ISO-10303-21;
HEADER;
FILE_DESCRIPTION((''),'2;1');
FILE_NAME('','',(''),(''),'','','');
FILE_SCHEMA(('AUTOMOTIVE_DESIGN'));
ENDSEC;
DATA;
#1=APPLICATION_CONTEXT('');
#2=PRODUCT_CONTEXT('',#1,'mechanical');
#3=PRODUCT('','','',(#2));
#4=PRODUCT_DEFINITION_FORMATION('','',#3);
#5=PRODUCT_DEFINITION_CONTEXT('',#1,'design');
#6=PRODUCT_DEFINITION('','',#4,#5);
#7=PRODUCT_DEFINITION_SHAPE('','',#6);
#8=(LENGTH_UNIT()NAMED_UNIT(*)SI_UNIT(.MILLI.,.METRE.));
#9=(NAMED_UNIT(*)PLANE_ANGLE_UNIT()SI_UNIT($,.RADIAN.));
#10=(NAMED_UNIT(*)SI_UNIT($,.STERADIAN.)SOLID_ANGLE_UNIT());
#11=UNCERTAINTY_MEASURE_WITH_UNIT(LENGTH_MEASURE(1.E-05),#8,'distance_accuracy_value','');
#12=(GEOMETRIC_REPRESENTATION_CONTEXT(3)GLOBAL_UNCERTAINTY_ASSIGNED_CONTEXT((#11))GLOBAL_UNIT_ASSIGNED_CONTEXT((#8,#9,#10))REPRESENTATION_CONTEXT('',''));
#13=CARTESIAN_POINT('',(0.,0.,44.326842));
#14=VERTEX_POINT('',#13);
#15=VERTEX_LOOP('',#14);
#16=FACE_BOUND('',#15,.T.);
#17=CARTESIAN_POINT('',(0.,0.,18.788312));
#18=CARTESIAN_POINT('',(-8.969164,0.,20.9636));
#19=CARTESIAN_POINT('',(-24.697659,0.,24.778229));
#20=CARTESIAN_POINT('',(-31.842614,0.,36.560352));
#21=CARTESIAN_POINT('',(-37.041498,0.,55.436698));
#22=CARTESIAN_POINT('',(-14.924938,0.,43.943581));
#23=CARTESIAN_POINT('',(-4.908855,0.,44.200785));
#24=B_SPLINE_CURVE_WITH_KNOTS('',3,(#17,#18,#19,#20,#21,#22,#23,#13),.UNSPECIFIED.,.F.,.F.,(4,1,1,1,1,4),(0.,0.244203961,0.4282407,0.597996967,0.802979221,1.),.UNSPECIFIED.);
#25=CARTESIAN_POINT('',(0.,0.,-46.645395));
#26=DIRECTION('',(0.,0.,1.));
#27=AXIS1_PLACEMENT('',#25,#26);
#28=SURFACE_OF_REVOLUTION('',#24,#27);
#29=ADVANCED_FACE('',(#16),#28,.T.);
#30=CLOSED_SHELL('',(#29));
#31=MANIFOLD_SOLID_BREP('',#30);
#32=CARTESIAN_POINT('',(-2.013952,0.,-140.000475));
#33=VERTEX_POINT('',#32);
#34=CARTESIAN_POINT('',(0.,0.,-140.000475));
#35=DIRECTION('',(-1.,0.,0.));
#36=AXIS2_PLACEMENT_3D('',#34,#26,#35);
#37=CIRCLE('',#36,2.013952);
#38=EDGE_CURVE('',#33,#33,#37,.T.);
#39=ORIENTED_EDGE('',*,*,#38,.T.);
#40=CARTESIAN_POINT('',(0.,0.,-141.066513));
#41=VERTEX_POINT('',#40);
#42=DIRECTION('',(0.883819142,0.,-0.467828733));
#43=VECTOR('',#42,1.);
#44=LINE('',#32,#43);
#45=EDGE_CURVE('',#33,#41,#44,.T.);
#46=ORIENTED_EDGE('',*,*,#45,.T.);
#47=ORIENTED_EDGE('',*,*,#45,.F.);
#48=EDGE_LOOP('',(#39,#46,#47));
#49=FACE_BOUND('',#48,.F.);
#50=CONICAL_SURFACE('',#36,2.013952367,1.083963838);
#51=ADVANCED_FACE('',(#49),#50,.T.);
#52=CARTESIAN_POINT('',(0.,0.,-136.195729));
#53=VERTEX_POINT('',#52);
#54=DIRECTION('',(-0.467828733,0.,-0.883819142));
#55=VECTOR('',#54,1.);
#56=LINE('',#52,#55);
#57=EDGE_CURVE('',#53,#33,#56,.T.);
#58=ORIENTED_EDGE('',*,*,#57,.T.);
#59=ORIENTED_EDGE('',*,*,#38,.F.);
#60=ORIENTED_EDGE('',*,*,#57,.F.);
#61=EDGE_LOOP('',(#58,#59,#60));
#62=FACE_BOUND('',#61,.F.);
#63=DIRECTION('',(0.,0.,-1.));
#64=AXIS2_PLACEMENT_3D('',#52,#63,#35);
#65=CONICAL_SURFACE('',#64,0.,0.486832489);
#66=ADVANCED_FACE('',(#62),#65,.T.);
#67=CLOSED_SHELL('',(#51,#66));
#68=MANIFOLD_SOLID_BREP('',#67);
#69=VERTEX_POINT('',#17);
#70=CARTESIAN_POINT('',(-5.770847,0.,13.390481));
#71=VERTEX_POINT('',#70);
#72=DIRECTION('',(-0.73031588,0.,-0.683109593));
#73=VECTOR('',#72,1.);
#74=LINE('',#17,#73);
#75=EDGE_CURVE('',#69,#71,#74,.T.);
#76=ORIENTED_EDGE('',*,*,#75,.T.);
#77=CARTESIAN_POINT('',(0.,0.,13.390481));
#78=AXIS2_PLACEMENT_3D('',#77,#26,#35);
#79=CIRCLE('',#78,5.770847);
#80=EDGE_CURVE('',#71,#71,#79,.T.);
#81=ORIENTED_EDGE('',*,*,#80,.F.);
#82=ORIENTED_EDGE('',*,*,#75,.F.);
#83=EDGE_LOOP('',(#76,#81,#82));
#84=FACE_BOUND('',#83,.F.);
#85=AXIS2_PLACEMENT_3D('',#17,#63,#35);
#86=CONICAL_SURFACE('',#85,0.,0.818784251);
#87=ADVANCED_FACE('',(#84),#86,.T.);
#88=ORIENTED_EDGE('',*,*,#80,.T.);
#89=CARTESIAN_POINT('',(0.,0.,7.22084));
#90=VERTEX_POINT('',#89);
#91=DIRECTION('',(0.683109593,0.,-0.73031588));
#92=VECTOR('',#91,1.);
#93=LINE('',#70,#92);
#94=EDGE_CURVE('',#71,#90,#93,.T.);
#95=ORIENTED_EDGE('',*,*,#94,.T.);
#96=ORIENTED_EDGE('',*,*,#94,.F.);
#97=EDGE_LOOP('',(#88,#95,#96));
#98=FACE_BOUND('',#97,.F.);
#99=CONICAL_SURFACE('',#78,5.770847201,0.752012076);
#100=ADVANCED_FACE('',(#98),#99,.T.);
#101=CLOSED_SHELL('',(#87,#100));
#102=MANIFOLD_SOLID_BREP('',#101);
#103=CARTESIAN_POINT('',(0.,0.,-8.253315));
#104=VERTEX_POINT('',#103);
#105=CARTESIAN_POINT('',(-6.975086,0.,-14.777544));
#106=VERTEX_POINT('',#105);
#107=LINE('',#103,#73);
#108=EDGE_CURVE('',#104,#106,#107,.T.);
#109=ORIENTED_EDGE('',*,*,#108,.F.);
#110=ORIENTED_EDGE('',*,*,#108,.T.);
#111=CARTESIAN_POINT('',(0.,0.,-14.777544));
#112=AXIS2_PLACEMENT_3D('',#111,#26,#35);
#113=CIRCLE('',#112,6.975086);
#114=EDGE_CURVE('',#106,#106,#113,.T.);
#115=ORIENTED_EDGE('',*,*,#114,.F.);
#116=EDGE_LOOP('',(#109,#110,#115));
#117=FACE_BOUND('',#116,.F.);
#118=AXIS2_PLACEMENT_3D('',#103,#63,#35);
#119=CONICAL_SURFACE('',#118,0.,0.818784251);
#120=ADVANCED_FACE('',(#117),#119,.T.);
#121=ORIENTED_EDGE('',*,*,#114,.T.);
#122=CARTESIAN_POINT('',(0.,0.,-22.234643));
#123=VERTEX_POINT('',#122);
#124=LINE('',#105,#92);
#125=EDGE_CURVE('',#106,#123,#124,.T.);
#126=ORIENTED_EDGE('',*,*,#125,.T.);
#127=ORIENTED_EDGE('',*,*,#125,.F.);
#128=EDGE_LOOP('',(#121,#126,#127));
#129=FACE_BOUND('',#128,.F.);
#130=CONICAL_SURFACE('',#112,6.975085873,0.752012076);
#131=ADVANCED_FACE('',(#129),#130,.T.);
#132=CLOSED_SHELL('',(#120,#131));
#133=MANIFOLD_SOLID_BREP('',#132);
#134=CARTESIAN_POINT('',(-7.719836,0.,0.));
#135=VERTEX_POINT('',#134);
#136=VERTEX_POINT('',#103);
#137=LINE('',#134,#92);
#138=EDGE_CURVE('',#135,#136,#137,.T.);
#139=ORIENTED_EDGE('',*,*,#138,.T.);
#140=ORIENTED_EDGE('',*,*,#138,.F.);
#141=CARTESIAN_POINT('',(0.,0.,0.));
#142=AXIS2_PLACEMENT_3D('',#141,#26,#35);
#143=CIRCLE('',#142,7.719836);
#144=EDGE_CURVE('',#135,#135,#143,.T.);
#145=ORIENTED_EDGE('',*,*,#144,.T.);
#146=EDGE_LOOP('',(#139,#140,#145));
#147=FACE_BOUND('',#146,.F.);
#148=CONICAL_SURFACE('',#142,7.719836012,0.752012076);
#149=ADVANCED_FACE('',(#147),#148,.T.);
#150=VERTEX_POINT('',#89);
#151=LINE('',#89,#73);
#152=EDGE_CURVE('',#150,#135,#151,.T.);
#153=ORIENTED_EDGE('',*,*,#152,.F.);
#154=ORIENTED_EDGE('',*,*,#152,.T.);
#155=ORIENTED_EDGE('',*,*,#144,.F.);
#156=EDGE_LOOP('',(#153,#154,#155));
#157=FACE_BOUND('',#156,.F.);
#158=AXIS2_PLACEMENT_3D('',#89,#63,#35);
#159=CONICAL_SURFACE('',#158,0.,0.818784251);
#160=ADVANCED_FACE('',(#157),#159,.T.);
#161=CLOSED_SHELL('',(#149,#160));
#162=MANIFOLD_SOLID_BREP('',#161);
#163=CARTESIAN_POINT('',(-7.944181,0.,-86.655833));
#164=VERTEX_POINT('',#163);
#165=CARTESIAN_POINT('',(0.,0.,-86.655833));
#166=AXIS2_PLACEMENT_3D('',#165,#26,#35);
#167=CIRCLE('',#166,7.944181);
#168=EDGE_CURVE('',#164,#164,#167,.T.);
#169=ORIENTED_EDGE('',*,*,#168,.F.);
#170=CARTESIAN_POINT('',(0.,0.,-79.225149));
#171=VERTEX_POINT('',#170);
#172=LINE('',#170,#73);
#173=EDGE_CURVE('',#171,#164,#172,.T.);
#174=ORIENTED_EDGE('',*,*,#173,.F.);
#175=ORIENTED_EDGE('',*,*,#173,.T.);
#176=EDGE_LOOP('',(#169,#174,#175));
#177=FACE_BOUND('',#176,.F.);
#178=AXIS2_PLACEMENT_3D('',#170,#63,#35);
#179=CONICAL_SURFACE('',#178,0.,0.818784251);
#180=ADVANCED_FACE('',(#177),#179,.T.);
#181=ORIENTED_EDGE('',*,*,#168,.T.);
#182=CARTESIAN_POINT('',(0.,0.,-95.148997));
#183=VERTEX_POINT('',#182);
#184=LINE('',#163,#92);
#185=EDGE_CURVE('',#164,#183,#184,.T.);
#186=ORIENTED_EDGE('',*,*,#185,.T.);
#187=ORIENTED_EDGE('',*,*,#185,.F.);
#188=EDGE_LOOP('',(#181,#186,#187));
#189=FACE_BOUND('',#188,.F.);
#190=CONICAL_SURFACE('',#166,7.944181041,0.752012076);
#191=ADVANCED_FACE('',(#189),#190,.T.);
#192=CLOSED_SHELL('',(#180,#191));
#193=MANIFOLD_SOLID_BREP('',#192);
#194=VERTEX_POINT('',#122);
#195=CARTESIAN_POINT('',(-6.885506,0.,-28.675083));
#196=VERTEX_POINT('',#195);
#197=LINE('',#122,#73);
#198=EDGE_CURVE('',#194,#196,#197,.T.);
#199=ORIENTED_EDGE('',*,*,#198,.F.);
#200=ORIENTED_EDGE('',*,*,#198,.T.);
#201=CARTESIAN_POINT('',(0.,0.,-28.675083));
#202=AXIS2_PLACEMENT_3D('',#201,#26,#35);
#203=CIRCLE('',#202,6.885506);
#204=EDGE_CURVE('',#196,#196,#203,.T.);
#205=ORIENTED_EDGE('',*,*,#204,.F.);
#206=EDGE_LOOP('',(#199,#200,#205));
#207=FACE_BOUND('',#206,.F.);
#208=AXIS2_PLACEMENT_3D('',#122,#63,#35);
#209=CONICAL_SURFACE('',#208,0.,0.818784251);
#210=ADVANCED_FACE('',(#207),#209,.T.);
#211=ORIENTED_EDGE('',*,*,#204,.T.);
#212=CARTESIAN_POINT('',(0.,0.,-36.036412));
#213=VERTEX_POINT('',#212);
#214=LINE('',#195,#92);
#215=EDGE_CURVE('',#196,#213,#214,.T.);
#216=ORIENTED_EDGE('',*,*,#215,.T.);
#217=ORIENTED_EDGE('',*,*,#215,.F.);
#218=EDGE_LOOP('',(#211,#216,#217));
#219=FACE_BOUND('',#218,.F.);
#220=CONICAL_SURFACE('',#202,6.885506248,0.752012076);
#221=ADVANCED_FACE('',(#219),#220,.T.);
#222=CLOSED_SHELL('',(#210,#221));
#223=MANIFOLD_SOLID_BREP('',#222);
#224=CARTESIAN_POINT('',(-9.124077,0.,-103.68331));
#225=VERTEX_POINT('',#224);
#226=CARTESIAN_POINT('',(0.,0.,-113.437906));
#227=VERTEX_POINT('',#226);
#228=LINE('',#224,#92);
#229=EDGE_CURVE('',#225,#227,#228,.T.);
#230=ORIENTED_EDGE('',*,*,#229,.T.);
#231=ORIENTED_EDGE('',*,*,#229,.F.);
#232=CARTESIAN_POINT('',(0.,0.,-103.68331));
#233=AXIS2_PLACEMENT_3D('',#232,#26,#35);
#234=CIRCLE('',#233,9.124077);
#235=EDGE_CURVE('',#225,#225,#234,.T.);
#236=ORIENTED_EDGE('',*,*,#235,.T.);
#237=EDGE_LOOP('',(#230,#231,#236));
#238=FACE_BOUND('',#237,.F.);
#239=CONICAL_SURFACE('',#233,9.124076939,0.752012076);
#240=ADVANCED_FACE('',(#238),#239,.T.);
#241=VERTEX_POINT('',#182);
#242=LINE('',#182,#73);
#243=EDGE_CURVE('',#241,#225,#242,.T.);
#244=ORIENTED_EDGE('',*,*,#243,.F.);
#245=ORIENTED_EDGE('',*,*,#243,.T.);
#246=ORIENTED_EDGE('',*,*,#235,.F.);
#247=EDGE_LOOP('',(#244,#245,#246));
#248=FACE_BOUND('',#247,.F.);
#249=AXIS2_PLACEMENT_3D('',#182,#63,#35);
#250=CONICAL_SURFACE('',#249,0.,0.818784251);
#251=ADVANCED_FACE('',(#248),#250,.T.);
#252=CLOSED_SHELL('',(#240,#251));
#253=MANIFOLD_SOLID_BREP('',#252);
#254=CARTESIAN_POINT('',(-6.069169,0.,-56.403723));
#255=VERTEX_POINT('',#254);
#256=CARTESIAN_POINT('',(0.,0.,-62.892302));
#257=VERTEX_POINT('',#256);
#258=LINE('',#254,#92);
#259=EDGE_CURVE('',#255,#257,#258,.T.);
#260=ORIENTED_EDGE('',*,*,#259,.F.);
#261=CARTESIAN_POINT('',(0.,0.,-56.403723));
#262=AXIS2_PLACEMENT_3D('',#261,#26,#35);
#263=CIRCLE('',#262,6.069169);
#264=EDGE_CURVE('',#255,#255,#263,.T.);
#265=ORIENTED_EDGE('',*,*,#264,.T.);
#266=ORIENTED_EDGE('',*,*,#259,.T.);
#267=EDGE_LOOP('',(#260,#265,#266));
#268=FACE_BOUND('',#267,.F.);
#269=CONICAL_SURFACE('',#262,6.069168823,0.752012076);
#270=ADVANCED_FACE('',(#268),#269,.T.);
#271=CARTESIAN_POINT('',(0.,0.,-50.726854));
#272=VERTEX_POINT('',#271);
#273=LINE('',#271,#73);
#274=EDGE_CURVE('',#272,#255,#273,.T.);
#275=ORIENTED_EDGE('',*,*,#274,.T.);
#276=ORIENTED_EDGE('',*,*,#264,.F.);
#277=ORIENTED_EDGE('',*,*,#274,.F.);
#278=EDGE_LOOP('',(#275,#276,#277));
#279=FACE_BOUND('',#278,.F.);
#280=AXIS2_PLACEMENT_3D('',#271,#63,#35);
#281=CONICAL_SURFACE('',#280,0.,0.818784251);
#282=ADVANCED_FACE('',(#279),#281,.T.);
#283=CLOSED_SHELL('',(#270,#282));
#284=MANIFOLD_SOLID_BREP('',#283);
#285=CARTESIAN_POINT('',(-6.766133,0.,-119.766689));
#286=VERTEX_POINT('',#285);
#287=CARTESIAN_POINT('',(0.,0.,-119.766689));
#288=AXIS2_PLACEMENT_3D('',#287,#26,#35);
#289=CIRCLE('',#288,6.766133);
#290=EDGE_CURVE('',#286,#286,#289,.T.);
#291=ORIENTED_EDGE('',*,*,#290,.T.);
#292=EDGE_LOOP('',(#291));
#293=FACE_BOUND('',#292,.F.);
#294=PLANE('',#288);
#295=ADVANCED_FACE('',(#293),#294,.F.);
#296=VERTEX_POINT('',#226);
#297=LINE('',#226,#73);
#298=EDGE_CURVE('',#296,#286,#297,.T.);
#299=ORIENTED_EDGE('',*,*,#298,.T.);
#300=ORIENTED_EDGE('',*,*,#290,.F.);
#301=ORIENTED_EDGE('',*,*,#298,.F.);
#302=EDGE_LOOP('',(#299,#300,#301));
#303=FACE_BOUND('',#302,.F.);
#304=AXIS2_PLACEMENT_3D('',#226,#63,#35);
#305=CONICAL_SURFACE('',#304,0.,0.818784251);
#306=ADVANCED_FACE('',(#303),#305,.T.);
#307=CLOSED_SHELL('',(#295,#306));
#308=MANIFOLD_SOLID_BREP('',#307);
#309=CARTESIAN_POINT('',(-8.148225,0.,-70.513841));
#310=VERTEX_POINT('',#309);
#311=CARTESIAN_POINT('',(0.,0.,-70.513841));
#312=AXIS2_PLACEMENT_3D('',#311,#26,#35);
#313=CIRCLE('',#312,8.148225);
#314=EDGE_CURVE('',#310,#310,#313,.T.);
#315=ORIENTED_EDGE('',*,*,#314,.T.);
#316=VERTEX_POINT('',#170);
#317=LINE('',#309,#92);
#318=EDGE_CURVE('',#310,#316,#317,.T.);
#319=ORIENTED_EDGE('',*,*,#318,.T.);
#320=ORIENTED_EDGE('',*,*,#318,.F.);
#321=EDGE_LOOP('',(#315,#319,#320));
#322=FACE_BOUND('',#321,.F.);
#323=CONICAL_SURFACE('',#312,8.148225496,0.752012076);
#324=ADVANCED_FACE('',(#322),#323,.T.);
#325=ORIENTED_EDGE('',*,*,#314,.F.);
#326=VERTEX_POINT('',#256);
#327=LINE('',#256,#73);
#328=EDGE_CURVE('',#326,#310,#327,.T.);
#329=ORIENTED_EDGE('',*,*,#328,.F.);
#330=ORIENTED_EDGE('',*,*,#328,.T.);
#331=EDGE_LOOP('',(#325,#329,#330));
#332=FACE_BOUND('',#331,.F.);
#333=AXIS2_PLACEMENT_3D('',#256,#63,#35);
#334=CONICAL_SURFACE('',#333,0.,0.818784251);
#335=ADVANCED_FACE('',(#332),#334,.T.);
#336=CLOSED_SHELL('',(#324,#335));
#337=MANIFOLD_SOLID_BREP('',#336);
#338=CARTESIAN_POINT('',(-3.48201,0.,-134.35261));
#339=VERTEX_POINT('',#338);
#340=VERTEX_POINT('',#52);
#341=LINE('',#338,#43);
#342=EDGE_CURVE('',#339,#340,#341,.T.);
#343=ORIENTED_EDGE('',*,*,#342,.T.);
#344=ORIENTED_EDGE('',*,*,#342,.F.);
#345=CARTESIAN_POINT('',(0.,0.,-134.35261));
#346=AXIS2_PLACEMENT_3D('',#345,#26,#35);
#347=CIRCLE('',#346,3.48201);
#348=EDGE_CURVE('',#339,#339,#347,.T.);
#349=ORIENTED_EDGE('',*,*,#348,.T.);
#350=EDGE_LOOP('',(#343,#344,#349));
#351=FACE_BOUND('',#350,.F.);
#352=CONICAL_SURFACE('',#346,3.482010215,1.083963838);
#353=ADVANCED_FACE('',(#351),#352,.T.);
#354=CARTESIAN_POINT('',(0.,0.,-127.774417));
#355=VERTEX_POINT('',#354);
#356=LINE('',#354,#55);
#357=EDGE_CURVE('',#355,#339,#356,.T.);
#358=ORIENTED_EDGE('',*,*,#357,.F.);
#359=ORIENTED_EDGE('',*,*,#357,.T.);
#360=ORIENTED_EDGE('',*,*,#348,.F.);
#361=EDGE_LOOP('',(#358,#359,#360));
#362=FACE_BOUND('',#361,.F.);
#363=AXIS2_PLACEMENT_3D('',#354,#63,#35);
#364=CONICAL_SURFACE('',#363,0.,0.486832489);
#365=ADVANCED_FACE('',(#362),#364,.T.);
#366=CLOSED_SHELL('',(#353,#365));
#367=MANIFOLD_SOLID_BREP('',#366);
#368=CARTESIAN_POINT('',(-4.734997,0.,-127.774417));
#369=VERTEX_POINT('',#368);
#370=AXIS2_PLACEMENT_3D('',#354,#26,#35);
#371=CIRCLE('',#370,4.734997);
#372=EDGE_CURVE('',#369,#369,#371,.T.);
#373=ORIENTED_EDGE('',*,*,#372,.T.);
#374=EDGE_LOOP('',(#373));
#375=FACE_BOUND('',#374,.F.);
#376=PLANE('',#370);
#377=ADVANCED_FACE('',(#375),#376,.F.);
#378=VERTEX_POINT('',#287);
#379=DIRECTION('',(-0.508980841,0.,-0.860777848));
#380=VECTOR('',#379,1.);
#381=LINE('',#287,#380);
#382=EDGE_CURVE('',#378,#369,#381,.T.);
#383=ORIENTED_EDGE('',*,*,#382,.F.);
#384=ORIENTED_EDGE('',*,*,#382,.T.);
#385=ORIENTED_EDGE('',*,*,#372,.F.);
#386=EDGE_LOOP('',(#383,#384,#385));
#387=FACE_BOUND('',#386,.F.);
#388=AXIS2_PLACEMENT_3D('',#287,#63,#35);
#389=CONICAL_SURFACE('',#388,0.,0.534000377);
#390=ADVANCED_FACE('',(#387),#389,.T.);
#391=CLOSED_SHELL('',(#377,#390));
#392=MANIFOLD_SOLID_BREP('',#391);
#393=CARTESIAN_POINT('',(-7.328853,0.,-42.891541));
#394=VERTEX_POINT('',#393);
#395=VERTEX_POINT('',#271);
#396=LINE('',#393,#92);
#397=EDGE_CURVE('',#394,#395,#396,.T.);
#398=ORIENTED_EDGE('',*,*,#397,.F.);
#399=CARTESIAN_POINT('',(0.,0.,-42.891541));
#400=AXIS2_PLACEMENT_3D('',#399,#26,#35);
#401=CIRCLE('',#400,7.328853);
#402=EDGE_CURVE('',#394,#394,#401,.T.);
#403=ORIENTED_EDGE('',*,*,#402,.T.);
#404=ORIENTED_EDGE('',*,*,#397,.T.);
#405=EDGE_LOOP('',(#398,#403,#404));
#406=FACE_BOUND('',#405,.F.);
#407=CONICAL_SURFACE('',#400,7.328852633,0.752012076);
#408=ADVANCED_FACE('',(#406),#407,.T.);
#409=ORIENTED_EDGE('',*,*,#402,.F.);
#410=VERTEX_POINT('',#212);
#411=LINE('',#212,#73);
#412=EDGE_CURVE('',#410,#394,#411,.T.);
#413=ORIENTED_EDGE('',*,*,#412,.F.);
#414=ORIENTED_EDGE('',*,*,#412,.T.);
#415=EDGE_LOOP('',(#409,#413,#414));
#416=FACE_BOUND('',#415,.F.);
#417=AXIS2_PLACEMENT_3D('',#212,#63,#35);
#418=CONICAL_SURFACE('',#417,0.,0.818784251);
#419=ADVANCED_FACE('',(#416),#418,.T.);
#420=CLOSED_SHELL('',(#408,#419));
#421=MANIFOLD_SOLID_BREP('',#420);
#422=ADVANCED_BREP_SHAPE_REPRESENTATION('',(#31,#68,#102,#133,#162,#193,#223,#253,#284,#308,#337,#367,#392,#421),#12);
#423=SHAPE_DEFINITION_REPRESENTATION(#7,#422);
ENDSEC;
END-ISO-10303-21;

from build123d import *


with BuildPart() as f1:
    # F0 (on Front) → F1 (revolve)
    with BuildSketch(Plane.XZ):
        Polygon((0, -95.1489967457), (0, -79.2251494276), (-7.9441810413, -86.6558330886), align=None)
    revolve(axis=Axis((0, 0, -46.6453954577), (0, 0, 1)))


with BuildPart() as f1b:
    # F0 (on Front) → F1, piece 2 (revolve)
    with BuildSketch(Plane.XZ):
        Polygon((0, 7.2208398858), (0, 18.7883116305), (-5.7708472013, 13.390481472), align=None)
    revolve(axis=Axis((0, 0, -46.6453954577), (0, 0, 1)))


with BuildPart() as f1c:
    # F0 (on Front) → F1, piece 3 (revolve)
    with BuildSketch(Plane.XZ):
        Polygon((0, -136.1957291641), (0, -127.7744174004), (-3.4820102155, -134.3526095152), align=None)
    revolve(axis=Axis((0, 0, -46.6453954577), (0, 0, 1)))


with BuildPart() as f1d:
    # F0 (on Front) → F1, piece 4 (revolve)
    with BuildSketch(Plane.XZ):
        Polygon((0, -79.2251494276), (0, -62.8923017698), (-8.1482254961, -70.513840824), align=None)
    revolve(axis=Axis((0, 0, -46.6453954577), (0, 0, 1)))


with BuildPart() as f1e:
    # F0 (on Front) → F1, piece 5 (revolve)
    with BuildSketch(Plane.XZ):
        Polygon((0, -22.2346434723), (0, -8.2533152654), (-6.9750858731, -14.7775443032), align=None)
    revolve(axis=Axis((0, 0, -46.6453954577), (0, 0, 1)))


with BuildPart() as f1f:
    # F0 (on Front) → F1, piece 6 (revolve)
    with BuildSketch(Plane.XZ):
        Polygon((0, -36.0364122927), (0, -22.2346434723), (-6.8855062479, -28.6750831485), align=None)
    revolve(axis=Axis((0, 0, -46.6453954577), (0, 0, 1)))


with BuildPart() as f1g:
    # F0 (on Front) → F1, piece 7 (revolve)
    with BuildSketch(Plane.XZ):
        Polygon((0, -50.726854233), (0, -36.0364122927), (-7.3288526334, -42.8915412523), align=None)
    revolve(axis=Axis((0, 0, -46.6453954577), (0, 0, 1)))


with BuildPart() as f1h:
    # F0 (on Front) → F1, piece 8 (revolve)
    with BuildSketch(Plane.XZ):
        Polygon((0, -62.8923017698), (0, -50.726854233), (-6.0691688227, -56.4037230471), align=None)
    revolve(axis=Axis((0, 0, -46.6453954577), (0, 0, 1)))


with BuildPart() as f1i:
    # F0 (on Front) → F1, piece 9 (revolve)
    with BuildSketch(Plane.XZ):
        Polygon((0, -119.7666891122), (0, -113.4379062426), (-6.7661333978, -119.7666891122), align=None)
    revolve(axis=Axis((0, 0, -46.6453954577), (0, 0, 1)))


with BuildPart() as f1j:
    # F0 (on Front) → F1, piece 10 (revolve)
    with BuildSketch(Plane.XZ):
        Polygon((0, -141.0665134841), (0, -136.1957291641), (-2.013952367, -140.0004754917), align=None)
    revolve(axis=Axis((0, 0, -46.6453954577), (0, 0, 1)))


with BuildPart() as f1k:
    # F0 (on Front) → F1, piece 11 (revolve)
    with BuildSketch(Plane.XZ):
        Polygon((0, -113.4379062426), (0, -95.1489967457), (-9.1240769387, -103.6833099843), align=None)
    revolve(axis=Axis((0, 0, -46.6453954577), (0, 0, 1)))


with BuildPart() as f1l:
    # F0 (on Front) → F1, piece 12 (revolve)
    with BuildSketch(Plane.XZ):
        Polygon((0, -8.2533152654), (0, 7.2208398858), (-7.7198360124, 0), align=None)
    revolve(axis=Axis((0, 0, -46.6453954577), (0, 0, 1)))


with BuildPart() as f1m:
    # F0 (on Front) → F1, piece 13 (revolve)
    with BuildSketch(Plane.XZ):
        Polygon((0, -127.7744174004), (0, -119.7666891122), (-4.7349967062, -127.7744174004), align=None)
    revolve(axis=Axis((0, 0, -46.6453954577), (0, 0, 1)))


with BuildPart() as f1n:
    # F0 (on Front) → F1, piece 14 (revolve)
    with BuildSketch(Plane.XZ):
        with BuildLine():
            add(Edge.make_bspline(
                [(0, 18.7883116305), (-8.9691636442, 20.9635996663), (-24.6976594702, 24.7782288011), (-31.8426143145, 36.5603524879), (-37.0414979626, 55.4366978001), (-14.9249380256, 43.943580586), (-4.9088548771, 44.2007847597), (0, 44.3268418312)],
                knots=[0, 0, 0, 0, 0.2442039614, 0.4282406998, 0.5979969665, 0.8029792209, 1, 1, 1, 1], degree=3))
            Line((0, 18.7883116305), (0, 44.3268418312))
        make_face()
    revolve(axis=Axis((0, 0, -46.6453954577), (0, 0, 1)))


solid = Compound([f1.part, f1b.part, f1c.part, f1d.part, f1e.part, f1f.part, f1g.part, f1h.part, f1i.part, f1j.part, f1k.part, f1l.part, f1m.part, f1n.part])
